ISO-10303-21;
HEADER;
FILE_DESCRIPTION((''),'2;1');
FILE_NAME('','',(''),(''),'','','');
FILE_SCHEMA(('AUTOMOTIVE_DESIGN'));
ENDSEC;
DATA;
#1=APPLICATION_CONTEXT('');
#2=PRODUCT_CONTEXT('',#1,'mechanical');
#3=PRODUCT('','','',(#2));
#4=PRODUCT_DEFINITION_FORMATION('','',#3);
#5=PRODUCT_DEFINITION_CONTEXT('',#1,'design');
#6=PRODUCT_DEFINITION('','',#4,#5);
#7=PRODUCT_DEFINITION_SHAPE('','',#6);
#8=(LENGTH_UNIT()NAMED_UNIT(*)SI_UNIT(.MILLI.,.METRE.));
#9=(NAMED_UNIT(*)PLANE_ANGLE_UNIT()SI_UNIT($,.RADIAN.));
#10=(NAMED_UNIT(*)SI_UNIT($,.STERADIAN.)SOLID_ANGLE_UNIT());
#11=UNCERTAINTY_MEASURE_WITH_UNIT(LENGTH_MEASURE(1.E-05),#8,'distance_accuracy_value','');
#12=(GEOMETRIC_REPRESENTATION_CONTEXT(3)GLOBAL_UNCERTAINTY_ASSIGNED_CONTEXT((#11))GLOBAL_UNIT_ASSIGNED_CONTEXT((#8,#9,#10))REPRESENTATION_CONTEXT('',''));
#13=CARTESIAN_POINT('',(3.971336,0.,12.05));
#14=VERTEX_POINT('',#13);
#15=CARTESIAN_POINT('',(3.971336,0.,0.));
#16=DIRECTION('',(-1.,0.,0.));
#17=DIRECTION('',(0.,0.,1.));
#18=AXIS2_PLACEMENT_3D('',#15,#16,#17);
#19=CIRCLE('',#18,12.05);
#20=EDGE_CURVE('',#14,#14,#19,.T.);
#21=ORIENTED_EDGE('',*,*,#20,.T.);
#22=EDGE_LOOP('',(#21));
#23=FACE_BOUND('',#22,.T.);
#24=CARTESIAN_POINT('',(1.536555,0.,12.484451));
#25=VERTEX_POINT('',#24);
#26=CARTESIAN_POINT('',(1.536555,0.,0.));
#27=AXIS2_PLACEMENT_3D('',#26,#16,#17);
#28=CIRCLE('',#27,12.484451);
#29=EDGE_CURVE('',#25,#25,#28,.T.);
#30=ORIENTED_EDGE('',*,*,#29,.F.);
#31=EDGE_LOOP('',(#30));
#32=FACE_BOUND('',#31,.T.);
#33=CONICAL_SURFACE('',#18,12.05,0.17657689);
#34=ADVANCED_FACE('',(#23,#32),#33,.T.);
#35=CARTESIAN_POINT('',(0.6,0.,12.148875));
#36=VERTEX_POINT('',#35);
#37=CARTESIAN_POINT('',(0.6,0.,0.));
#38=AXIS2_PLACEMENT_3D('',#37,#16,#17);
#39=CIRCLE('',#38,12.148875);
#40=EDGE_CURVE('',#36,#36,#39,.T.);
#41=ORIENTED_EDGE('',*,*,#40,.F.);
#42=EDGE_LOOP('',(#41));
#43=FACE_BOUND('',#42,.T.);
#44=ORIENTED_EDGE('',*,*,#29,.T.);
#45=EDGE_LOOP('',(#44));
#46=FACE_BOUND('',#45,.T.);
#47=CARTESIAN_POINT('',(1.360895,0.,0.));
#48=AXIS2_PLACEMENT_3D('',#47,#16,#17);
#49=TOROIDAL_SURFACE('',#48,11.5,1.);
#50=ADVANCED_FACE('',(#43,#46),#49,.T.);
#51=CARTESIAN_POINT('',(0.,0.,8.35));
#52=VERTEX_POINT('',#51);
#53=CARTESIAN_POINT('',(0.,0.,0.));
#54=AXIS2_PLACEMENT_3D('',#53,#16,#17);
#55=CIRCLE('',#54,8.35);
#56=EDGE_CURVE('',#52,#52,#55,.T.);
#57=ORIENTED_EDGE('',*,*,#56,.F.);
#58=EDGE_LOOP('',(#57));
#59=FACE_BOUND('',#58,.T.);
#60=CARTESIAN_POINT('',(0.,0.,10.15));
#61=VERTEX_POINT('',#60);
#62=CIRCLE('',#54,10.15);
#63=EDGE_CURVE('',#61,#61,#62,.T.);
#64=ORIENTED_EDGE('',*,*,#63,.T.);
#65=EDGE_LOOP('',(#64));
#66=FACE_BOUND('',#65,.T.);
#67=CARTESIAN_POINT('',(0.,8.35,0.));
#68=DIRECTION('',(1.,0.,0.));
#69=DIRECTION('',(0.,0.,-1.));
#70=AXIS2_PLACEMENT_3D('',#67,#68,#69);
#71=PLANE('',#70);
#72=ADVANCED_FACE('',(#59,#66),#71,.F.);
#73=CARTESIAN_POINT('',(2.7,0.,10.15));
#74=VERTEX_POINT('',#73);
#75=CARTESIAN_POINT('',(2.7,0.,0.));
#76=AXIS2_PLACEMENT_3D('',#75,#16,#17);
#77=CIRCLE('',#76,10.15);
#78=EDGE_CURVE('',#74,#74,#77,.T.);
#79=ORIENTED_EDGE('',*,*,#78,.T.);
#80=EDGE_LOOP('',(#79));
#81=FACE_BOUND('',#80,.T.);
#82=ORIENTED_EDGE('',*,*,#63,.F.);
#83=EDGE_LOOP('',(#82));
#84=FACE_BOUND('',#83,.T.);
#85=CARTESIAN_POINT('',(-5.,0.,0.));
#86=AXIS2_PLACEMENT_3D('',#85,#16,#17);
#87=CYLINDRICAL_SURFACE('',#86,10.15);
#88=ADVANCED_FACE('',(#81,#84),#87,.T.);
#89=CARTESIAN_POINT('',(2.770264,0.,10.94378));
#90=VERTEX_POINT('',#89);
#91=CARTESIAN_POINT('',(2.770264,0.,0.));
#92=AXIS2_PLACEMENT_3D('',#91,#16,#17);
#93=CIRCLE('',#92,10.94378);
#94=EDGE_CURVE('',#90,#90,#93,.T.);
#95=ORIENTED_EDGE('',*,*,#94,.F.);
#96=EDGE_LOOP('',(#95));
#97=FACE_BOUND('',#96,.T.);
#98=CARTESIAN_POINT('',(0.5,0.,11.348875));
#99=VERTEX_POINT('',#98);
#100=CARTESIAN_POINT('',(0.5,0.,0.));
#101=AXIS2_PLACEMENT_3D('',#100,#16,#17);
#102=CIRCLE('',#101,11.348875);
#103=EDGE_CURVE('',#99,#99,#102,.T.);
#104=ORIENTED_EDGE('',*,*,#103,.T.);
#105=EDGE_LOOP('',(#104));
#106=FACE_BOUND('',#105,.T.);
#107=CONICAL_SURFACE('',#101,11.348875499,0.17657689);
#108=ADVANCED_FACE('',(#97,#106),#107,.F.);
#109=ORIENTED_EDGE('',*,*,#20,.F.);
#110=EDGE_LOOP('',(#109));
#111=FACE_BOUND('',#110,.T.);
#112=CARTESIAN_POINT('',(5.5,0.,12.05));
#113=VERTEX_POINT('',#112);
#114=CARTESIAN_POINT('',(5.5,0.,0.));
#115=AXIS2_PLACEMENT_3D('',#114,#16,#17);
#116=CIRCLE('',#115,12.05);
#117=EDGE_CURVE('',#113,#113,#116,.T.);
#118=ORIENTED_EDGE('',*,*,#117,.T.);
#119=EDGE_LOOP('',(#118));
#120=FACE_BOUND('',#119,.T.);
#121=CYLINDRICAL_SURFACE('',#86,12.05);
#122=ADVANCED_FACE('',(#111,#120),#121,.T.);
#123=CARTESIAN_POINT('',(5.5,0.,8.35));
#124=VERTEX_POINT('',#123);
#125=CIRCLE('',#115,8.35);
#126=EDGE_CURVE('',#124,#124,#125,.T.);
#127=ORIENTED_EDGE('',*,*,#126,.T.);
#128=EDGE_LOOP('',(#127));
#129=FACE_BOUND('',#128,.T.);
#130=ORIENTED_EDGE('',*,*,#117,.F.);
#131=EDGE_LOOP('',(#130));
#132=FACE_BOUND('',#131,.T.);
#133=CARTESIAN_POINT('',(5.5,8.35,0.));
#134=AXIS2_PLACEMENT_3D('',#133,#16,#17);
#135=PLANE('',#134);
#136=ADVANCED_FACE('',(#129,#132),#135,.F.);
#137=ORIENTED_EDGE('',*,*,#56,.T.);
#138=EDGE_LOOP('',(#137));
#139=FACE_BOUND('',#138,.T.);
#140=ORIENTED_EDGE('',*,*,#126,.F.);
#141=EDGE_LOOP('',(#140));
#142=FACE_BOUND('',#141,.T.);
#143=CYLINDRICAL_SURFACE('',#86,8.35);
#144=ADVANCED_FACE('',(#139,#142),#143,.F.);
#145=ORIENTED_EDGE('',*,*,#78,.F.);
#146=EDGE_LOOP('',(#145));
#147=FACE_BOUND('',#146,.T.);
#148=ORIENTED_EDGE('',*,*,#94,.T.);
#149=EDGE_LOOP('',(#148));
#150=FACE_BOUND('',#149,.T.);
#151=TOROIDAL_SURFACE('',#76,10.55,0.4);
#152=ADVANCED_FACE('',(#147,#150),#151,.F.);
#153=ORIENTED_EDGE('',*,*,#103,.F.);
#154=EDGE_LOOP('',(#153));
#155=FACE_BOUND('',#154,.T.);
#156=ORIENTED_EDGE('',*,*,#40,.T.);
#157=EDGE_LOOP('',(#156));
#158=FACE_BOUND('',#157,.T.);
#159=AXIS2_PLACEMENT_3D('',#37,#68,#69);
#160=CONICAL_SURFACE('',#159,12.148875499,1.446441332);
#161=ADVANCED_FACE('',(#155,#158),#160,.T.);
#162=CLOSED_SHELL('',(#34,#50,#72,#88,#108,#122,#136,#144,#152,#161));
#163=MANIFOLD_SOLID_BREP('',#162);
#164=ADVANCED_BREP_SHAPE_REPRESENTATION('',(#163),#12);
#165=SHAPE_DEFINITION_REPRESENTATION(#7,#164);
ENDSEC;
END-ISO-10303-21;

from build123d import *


with BuildPart() as part:
    # Esquisse1 → Base-Révolution (revolve)
    with BuildSketch(Plane.XY, mode=Mode.PRIVATE) as base_r_volution_sk:
        with BuildLine():
            Line((0, 8.35), (5.5, 8.35))
            Line((5.5, 8.35), (5.5, 12.05))
            Line((5.5, 12.05), (3.97133627, 12.05))
            Line((3.97133627, 12.05), (1.536555322, 12.484450765))
            ThreePointArc((1.536555322, 12.484450765), (1.023585598, 12.441393987), (0.6, 12.148875499))
            Line((0.6, 12.148875499), (0.5, 11.348875499))
            Line((0.5, 11.348875499), (2.77026429, 10.943780306))
            ThreePointArc((2.77026429, 10.943780306), (3.098442042, 10.514730484), (2.7, 10.15))
            Line((2.7, 10.15), (0, 10.15))
            Line((0, 10.15), (0, 8.35))
        make_face()
    revolve(base_r_volution_sk.sketch.rotate(Axis((-5, 0, 0), (1, 0, 0)), 90), axis=Axis((-5, 0, 0), (1, 0, 0)))  # turned: the seam where the file's is


solid = part.part
